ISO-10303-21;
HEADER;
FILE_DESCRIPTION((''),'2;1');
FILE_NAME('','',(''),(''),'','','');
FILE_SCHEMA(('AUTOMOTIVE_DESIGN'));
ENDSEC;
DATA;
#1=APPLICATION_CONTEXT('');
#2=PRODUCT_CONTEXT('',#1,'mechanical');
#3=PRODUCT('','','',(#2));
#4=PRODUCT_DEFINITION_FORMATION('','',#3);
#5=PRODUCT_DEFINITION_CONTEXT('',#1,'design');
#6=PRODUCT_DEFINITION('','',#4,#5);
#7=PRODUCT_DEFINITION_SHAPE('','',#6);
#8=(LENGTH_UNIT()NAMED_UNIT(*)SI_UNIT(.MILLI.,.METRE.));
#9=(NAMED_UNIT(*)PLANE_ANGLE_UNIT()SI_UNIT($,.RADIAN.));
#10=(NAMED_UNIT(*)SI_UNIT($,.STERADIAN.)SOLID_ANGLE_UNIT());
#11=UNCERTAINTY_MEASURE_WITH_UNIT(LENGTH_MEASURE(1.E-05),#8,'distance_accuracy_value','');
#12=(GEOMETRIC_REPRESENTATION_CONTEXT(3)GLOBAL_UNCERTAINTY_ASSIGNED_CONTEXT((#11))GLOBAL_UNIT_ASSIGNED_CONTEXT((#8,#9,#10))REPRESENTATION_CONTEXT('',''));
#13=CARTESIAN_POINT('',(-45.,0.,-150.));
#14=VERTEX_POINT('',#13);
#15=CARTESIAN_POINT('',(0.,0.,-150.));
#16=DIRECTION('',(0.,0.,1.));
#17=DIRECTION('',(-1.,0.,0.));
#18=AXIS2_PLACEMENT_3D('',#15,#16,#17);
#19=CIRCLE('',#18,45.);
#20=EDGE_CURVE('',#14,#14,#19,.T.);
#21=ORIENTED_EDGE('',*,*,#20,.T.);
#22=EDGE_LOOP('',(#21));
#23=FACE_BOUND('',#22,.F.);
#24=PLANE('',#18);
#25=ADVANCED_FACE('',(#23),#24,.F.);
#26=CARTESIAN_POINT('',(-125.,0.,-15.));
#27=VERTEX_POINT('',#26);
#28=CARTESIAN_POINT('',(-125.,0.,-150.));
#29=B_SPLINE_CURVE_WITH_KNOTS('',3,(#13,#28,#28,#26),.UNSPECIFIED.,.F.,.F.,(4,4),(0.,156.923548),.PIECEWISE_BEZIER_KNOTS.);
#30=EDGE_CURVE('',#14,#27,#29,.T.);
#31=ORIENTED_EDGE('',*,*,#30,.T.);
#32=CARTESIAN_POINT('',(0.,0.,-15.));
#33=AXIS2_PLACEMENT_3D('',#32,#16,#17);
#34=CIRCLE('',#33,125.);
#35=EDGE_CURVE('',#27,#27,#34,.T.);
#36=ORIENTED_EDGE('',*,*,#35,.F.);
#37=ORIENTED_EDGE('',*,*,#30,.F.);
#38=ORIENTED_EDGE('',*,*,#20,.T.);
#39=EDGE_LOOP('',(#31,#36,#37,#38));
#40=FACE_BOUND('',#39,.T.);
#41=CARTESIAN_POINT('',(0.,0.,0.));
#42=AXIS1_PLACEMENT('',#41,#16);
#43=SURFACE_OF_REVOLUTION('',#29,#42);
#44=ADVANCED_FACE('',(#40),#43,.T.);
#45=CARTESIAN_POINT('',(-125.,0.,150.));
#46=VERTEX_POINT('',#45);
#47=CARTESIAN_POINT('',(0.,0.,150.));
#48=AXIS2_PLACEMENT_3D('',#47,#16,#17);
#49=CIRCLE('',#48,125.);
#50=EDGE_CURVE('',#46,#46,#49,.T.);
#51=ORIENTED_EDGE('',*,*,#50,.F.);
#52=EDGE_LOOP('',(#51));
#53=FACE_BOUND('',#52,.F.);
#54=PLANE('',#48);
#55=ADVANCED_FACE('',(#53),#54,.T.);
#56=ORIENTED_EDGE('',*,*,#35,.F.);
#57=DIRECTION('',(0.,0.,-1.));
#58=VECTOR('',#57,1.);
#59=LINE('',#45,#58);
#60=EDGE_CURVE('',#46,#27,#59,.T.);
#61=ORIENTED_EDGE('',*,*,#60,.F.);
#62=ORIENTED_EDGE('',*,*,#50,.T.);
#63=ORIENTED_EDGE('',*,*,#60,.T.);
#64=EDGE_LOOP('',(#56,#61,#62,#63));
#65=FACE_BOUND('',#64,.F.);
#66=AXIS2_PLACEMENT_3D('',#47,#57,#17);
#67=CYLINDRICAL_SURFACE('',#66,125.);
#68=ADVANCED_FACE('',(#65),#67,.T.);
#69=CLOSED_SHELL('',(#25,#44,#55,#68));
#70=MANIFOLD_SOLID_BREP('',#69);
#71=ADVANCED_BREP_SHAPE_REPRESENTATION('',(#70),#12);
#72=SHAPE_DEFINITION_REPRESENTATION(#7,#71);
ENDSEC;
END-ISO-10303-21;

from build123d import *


with BuildPart() as f1:
    # F0 (on Front) → F1 (revolve)
    with BuildSketch(Plane.XZ):
        with BuildLine():
            Line((0, -150), (0, 150))
            Line((0, 150), (-125, 150))
            Line((-125, 150), (-125, 15))
            Line((-125, 15), (-125, -15))
            add(Edge.make_bspline(
                [(-45, -150), (-125, -150), (-125, -150), (-125, -15)],
                knots=[0, 0, 0, 0, 156.923548, 156.923548, 156.923548, 156.923548], degree=3))
            Line((-45, -150), (0, -150))
        make_face()
    revolve(axis=Axis((0, 0, 0), (0, 0, 1)))


solid = f1.part
